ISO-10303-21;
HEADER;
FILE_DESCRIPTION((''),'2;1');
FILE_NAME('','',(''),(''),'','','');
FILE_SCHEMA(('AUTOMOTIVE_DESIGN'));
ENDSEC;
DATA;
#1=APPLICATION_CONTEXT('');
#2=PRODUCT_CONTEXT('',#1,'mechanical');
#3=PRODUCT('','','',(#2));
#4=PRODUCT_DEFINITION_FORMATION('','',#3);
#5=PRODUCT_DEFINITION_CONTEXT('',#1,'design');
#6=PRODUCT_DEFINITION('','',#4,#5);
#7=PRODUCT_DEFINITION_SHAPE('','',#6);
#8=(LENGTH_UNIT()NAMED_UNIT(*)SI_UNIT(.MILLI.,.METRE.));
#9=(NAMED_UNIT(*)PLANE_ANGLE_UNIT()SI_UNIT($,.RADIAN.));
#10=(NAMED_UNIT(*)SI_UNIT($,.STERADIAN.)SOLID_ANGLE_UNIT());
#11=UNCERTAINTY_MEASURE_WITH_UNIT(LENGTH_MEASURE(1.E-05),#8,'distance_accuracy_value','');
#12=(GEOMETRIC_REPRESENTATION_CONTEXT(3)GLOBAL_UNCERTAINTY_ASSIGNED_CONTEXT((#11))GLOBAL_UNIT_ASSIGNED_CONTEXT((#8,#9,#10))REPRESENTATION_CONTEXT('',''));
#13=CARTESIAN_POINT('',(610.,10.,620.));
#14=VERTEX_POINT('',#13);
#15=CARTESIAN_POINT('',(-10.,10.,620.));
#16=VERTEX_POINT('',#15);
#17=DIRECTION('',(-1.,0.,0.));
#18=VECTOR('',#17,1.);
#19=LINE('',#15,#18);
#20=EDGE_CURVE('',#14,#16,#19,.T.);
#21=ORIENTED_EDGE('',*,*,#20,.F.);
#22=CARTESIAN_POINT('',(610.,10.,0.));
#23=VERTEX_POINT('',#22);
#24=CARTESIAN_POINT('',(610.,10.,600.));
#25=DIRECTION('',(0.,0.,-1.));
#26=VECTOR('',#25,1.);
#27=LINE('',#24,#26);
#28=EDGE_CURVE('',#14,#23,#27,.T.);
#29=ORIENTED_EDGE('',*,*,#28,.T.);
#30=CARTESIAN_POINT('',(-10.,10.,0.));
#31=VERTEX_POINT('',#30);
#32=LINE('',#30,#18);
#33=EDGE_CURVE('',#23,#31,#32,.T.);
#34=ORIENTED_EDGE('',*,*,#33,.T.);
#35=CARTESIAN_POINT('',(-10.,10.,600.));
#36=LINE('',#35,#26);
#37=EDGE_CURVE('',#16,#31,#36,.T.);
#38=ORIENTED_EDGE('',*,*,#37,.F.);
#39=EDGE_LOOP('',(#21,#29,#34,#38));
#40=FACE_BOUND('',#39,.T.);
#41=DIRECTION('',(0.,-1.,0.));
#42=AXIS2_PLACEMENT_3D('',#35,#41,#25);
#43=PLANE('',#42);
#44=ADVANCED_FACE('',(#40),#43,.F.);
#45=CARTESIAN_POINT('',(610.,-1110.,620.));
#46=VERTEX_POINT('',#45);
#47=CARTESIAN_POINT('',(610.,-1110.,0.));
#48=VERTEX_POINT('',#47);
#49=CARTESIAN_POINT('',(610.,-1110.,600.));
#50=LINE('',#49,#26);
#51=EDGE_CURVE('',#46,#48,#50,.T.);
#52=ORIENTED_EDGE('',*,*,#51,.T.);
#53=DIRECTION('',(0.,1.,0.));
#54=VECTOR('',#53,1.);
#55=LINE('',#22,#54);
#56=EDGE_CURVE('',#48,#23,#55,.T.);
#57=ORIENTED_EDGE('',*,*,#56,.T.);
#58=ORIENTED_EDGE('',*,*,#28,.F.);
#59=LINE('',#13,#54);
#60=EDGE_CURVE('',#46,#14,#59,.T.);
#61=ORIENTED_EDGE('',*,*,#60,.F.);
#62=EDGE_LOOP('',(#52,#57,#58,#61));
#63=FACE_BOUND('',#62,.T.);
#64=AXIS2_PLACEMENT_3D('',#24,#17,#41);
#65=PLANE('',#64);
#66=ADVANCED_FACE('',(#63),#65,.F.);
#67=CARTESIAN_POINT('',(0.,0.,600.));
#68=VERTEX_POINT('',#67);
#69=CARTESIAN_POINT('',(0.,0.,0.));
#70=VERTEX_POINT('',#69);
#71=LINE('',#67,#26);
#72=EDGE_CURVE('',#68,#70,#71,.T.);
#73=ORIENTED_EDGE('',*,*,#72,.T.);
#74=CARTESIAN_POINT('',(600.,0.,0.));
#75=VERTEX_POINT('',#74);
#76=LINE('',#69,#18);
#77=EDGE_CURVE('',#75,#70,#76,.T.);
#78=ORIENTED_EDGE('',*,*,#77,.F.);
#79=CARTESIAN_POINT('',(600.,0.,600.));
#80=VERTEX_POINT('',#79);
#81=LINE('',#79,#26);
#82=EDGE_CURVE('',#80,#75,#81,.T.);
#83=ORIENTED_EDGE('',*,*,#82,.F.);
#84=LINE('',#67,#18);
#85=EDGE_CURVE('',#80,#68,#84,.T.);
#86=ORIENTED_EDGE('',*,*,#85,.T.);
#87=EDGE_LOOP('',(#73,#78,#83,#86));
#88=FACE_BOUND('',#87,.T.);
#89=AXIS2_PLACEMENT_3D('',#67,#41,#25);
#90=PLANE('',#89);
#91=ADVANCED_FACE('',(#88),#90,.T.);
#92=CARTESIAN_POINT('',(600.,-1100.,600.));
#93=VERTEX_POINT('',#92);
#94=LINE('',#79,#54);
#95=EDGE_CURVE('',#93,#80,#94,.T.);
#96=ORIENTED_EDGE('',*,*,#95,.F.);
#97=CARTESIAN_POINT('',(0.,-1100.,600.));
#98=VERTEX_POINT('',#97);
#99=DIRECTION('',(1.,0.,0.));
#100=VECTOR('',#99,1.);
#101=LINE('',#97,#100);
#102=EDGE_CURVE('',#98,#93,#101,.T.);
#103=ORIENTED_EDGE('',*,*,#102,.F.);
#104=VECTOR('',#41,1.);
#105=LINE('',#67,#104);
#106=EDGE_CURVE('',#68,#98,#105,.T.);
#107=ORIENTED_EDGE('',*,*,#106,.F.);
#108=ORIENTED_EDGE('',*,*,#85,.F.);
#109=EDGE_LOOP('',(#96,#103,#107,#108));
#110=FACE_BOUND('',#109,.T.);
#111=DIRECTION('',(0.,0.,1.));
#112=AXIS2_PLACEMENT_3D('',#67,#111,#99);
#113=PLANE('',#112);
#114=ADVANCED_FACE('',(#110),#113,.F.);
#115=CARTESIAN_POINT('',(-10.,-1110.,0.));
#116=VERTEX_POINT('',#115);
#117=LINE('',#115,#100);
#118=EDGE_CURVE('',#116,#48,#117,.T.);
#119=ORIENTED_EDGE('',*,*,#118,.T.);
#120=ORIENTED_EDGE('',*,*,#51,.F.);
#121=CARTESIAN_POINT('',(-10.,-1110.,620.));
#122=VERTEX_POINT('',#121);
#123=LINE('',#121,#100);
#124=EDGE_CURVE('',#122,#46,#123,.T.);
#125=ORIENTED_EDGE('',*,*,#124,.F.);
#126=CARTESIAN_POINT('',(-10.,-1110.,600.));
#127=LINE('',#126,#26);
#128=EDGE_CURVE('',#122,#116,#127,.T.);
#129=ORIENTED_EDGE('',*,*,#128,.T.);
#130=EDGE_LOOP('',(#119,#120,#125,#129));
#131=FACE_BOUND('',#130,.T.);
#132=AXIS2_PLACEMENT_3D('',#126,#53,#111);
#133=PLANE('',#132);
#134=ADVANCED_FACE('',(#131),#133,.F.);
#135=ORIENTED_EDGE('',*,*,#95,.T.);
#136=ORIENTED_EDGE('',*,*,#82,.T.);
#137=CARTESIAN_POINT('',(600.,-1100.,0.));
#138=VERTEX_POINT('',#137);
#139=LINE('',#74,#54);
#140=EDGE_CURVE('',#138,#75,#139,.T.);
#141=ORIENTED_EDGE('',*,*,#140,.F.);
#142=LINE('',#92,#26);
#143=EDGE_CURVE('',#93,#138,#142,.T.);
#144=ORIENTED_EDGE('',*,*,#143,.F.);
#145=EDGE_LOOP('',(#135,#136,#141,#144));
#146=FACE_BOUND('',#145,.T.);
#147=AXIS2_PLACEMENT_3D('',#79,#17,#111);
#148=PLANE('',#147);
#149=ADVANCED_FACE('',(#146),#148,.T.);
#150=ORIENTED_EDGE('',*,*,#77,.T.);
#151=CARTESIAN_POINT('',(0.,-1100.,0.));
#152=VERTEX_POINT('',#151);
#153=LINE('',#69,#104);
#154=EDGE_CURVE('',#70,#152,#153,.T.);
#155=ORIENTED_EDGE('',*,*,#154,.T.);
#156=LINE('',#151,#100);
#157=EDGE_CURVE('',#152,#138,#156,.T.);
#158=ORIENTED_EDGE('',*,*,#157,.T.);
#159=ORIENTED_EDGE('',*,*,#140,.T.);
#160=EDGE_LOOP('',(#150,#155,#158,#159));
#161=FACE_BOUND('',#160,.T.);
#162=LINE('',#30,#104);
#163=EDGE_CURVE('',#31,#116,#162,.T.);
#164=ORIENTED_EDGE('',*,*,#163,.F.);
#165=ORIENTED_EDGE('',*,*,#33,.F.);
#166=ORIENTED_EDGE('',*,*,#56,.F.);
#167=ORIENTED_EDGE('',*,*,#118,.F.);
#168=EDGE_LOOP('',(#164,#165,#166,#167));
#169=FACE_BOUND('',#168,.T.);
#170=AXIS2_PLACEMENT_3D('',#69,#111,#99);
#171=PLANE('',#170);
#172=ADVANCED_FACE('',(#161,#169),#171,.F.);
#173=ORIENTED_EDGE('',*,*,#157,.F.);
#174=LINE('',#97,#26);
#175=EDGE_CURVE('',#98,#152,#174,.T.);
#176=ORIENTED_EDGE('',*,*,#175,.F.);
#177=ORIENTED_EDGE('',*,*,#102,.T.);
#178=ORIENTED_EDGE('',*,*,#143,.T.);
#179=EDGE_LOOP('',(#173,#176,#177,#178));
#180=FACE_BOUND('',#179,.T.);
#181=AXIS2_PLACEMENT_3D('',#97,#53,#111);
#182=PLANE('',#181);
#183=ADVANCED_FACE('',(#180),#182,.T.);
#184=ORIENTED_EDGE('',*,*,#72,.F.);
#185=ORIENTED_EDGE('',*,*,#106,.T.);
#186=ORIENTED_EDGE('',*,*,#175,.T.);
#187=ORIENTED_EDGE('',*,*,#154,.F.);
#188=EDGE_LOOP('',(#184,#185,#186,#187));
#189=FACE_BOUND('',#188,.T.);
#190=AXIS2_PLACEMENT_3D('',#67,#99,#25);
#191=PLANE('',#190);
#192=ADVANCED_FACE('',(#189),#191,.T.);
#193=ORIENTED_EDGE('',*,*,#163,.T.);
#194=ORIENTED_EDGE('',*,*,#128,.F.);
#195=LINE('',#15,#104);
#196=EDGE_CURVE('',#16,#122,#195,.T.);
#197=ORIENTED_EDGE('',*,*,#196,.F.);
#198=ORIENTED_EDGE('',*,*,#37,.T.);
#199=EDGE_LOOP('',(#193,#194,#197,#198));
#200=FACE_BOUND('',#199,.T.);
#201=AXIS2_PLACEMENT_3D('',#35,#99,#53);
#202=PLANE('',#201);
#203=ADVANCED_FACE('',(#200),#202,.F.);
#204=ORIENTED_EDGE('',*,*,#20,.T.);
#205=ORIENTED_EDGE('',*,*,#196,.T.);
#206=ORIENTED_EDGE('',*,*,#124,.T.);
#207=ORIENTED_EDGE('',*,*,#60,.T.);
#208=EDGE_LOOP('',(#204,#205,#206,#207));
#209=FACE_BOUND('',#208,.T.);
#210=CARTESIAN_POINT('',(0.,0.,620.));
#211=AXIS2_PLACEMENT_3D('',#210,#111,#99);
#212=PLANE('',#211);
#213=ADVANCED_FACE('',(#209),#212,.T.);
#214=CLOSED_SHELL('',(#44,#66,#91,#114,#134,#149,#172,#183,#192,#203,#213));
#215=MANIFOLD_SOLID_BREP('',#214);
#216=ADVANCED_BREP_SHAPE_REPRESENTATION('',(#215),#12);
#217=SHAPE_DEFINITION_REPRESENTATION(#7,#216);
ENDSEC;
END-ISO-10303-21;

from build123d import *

# Parameters (mm, degrees)
CROQUIS1_W              = 620
CROQUIS1_H              = 1120
CROQUIS1_W_2            = 600
CROQUIS1_H_2            = 1100
SALIENTE_EXTRUIR1_DEPTH = 600
CROQUIS6_W              = 620
CROQUIS6_H              = 1120
SALIENTE_EXTRUIR4_DEPTH = 20


with BuildPart() as part:
    # Croquis1 → Saliente-Extruir1 (new body)
    with BuildSketch(Plane.XY):
        with Locations((300, -550)):
            Rectangle(CROQUIS1_W, CROQUIS1_H)
        with Locations((300, -550)):
            Rectangle(CROQUIS1_W_2, CROQUIS1_H_2, mode=Mode.SUBTRACT)
    extrude(amount=SALIENTE_EXTRUIR1_DEPTH)

    # Croquis6 → Saliente-Extruir4 (add)
    with BuildSketch(Plane.XY.offset(600)):
        with Locations((300, -550)):
            Rectangle(CROQUIS6_W, CROQUIS6_H)
    extrude(amount=SALIENTE_EXTRUIR4_DEPTH)


solid = part.part
